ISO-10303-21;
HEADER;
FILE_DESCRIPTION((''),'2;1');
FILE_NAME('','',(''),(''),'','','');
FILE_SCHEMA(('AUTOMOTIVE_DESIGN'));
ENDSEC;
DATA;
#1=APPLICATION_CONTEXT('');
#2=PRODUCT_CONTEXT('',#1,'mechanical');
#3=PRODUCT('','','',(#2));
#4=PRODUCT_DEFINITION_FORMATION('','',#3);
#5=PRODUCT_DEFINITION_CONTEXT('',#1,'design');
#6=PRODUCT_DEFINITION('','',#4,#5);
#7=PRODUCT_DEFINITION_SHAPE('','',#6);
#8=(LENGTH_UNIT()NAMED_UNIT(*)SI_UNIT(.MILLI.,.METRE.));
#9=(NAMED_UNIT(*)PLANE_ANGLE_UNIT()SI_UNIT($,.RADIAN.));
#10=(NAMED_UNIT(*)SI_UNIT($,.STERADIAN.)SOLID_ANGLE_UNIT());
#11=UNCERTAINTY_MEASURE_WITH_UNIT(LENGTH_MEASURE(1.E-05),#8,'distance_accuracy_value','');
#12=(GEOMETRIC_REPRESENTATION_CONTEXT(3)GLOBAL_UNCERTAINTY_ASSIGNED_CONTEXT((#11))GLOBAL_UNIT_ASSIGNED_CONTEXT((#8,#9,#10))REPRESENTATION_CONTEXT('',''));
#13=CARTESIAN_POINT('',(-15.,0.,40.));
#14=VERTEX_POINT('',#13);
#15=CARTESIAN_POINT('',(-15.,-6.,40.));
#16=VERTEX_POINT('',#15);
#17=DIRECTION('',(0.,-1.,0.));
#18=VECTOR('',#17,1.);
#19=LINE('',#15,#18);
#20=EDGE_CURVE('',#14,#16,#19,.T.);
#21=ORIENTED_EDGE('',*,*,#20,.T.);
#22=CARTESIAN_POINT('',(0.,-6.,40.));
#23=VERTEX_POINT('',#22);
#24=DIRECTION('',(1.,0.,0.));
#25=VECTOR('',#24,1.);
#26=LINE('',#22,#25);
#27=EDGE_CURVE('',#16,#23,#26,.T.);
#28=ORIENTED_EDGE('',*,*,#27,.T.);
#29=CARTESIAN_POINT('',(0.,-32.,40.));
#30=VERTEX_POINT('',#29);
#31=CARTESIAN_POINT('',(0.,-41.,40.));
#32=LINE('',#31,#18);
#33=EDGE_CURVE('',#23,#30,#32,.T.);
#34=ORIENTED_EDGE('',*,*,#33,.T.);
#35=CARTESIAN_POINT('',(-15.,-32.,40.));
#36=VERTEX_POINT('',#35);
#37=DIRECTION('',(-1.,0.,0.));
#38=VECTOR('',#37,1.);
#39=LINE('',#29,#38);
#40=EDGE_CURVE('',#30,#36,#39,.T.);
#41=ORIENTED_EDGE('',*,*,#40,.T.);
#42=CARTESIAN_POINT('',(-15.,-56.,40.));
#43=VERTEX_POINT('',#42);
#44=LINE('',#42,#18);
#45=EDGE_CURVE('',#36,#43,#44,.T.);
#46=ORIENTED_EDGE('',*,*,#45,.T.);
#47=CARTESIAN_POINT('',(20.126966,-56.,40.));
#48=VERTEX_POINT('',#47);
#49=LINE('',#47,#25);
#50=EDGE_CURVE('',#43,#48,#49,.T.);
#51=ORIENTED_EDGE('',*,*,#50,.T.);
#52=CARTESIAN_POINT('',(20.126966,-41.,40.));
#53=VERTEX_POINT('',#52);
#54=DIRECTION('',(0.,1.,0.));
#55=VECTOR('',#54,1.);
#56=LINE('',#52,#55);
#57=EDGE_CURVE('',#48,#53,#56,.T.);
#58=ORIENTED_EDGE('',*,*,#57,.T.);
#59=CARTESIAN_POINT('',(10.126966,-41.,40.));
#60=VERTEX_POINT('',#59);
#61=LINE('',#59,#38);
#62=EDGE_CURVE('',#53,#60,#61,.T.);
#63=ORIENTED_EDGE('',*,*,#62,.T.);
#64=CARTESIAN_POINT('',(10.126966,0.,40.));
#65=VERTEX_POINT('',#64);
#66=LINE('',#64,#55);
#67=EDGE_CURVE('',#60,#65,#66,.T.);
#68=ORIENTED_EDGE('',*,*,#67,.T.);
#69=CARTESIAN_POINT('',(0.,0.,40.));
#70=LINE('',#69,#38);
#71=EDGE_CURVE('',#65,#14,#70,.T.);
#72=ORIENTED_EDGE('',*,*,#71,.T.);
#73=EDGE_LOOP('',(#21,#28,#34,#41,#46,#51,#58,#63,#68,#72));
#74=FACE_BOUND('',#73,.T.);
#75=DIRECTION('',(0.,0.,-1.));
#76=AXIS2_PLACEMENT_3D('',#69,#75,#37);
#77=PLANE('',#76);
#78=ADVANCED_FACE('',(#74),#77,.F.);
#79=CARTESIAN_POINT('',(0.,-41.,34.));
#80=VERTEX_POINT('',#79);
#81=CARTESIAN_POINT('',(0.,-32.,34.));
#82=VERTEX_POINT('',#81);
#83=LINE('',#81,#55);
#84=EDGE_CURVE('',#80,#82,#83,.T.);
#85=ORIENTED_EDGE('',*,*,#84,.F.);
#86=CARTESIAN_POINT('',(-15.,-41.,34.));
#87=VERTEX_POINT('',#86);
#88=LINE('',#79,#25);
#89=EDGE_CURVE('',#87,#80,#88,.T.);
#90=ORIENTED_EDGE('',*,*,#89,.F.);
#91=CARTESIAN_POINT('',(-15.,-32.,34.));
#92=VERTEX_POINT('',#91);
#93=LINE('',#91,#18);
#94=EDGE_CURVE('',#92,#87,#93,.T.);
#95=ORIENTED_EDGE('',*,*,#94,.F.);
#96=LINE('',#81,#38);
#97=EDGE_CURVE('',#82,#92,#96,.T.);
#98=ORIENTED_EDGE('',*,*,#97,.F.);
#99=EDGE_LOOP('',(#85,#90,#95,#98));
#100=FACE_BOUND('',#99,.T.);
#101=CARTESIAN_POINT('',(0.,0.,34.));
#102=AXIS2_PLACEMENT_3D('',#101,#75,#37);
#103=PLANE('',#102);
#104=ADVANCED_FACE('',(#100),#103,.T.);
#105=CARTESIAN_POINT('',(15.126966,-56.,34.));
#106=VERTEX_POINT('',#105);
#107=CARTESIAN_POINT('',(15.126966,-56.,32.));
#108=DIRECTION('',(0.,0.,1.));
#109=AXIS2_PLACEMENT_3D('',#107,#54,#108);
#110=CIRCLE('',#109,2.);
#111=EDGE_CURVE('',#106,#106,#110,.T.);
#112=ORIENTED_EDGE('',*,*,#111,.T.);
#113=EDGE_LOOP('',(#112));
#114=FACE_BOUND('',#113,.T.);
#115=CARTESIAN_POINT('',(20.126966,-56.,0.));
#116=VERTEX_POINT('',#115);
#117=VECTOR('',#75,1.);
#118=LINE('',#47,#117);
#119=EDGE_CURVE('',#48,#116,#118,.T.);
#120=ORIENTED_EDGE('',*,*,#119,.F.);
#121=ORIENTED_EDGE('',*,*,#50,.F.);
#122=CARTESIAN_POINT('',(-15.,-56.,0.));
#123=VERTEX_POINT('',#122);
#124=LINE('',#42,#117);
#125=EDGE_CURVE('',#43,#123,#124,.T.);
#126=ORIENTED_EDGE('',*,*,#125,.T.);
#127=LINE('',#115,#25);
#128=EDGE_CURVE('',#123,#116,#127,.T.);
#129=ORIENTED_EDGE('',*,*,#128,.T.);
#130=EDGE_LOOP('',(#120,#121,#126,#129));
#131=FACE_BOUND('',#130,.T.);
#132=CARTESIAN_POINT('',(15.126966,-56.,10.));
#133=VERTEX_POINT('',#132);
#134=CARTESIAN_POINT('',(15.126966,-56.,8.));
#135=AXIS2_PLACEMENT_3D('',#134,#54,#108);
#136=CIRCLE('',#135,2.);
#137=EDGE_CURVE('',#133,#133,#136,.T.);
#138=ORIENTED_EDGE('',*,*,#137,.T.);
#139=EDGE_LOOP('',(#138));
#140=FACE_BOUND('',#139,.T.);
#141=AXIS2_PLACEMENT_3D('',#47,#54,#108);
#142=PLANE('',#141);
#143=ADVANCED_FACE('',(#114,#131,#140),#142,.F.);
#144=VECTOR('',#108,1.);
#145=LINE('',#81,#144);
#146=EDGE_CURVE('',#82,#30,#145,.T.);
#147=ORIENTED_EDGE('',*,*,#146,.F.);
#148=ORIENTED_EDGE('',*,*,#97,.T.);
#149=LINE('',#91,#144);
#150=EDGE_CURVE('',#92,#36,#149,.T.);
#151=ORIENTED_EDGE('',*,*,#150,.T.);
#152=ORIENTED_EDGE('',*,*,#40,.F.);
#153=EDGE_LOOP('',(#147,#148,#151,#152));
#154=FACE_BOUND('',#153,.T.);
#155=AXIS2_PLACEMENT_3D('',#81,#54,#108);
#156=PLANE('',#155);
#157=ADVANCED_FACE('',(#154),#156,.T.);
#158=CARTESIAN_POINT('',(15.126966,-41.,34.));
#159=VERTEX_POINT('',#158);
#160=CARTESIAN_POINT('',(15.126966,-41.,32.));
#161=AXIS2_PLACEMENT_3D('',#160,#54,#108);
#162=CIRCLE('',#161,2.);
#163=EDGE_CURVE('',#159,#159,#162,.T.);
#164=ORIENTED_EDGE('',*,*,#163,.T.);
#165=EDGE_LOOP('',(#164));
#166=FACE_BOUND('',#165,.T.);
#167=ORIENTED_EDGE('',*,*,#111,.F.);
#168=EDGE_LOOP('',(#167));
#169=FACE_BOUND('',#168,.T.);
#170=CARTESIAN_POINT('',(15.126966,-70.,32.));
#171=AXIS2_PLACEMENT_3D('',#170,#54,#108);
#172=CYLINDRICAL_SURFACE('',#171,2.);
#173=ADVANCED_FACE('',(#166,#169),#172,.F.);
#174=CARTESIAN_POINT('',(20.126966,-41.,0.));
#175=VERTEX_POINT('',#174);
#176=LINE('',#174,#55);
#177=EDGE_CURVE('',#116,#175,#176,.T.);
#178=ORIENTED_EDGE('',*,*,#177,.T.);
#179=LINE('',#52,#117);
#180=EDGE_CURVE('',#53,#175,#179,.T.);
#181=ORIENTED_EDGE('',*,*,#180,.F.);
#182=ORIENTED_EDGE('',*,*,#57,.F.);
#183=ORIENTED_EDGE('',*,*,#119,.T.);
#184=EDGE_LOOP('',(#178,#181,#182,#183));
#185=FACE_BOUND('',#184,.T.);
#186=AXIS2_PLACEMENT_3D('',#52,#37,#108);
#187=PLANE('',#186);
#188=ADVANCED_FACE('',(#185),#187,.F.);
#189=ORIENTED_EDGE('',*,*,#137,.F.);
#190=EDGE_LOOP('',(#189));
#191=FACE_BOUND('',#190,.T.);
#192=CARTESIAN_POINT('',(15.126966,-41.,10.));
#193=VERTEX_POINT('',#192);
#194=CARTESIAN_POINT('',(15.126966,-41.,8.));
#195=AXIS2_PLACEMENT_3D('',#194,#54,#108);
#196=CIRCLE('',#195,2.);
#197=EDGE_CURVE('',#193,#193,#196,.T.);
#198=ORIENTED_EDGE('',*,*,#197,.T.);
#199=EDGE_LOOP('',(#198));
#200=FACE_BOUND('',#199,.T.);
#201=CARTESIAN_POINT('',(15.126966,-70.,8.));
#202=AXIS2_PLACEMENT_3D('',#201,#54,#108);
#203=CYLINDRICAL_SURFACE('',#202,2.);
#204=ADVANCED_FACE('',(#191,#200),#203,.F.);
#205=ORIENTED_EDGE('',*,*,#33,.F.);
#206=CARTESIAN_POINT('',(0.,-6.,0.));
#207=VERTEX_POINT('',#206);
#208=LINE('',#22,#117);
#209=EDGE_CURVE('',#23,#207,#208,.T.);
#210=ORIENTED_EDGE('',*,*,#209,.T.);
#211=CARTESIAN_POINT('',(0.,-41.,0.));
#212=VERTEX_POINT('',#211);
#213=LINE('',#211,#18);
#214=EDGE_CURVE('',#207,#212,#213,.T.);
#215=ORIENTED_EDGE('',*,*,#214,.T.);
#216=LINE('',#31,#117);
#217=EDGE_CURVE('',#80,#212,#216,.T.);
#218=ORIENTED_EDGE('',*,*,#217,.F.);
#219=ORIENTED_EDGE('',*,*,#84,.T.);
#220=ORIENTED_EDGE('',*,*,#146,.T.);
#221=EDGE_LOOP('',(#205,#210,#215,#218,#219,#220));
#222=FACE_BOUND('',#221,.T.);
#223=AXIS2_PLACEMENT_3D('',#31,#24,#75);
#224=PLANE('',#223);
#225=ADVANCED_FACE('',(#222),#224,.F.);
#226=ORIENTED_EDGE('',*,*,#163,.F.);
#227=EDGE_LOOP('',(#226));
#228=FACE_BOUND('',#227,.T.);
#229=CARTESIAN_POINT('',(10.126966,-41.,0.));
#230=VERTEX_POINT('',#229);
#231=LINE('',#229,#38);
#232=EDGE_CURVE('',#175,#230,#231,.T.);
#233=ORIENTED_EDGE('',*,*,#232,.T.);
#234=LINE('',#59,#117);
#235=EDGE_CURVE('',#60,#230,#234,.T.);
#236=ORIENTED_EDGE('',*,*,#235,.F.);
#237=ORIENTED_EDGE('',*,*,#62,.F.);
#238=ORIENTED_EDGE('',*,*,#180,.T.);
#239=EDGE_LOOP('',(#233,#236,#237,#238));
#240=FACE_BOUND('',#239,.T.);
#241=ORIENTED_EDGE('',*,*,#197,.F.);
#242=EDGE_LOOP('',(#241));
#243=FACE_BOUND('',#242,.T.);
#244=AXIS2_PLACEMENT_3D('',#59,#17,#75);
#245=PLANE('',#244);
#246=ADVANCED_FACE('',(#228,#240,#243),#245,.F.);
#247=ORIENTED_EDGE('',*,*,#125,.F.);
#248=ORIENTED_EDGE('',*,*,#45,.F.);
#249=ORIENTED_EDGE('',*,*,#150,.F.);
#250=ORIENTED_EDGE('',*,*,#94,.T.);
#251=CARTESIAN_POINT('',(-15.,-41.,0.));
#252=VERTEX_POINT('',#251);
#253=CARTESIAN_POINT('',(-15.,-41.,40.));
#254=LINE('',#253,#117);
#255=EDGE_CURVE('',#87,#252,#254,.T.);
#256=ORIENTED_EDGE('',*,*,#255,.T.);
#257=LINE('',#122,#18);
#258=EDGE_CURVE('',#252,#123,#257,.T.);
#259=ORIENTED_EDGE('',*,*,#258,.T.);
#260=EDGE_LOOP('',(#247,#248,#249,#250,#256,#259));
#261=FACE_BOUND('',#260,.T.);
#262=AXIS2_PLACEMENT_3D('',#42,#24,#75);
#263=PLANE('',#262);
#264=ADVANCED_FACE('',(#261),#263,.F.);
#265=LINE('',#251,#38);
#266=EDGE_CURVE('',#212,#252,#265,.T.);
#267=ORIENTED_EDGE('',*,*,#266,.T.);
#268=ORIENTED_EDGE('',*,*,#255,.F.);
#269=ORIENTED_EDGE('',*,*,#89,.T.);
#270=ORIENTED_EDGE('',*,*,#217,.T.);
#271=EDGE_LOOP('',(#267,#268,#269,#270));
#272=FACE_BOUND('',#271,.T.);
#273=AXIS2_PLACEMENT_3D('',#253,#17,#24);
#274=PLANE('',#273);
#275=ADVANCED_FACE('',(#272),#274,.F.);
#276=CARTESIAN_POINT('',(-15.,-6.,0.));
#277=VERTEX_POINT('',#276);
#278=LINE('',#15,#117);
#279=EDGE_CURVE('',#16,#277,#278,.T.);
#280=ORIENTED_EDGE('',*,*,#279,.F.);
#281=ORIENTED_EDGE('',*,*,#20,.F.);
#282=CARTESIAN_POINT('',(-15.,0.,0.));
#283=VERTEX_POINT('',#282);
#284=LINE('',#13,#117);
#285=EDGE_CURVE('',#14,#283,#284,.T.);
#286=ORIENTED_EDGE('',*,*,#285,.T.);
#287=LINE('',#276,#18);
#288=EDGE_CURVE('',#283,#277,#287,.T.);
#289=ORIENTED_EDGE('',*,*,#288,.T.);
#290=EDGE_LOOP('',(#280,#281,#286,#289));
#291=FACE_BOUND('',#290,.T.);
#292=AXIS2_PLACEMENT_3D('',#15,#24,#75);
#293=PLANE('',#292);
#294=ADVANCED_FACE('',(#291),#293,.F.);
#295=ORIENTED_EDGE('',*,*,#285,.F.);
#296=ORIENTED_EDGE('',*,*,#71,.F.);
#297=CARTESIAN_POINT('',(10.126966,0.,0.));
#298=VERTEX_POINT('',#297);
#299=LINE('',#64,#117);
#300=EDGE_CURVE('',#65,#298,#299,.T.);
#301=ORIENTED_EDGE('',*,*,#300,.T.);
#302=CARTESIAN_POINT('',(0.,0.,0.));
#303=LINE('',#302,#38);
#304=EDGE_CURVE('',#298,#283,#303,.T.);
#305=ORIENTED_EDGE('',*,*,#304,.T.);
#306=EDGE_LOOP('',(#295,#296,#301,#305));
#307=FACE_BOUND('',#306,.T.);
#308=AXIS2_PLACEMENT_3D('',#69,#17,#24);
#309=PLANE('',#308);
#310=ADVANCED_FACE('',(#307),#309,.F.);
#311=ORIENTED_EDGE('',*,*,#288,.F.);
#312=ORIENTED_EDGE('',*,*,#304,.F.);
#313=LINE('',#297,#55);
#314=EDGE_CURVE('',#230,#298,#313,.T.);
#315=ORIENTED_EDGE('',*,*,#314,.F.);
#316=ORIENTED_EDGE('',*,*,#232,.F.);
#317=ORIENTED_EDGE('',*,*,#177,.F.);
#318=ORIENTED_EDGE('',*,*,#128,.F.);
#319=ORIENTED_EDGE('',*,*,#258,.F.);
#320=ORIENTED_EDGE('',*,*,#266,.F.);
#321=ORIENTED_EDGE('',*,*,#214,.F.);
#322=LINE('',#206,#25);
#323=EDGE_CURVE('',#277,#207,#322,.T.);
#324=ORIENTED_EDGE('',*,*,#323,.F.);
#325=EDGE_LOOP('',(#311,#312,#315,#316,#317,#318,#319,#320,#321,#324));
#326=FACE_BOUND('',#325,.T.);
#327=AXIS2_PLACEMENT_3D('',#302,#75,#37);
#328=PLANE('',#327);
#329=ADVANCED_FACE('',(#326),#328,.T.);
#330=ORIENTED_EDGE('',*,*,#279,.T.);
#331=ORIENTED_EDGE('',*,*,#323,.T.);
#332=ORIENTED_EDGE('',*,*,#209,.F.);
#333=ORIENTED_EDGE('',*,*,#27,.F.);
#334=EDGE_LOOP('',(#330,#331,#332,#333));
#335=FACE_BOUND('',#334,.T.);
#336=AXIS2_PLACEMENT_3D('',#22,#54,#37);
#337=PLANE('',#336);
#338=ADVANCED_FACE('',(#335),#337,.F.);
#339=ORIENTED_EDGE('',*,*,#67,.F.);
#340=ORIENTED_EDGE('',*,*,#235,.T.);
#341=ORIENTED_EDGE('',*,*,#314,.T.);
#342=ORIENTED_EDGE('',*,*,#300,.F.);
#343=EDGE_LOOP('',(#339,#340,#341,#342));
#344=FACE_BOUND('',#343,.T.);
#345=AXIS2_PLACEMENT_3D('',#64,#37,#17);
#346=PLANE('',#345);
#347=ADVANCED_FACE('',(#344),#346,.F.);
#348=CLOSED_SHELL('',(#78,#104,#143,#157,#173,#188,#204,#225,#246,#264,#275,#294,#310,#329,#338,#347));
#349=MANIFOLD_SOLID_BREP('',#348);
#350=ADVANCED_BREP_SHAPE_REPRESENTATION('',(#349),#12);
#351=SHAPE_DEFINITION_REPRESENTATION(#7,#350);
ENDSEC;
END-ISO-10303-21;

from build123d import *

# Parameters (mm, degrees)
BOSS_EXTRU_1_DEPTH  = 40
SKETCH1_R           = 2
CUT_EXTRUDE1_DEPTH  = 29
SKETCH2_W           = 15
SKETCH2_H           = 9
BOSS_EXTRUDE1_DEPTH = 6


with BuildPart() as part:
    # Esquisse1 → Boss.-Extru.1 (new body)
    with BuildSketch(Plane.XY):
        Polygon((0, 0), (-15, 0), (-15, -6), (0, -6), (0, -41), (-15, -41), (-15, -56), (20.126965986, -56), (20.126965986, -41), (10.126965986, -41), (10.126965986, 0), align=None)
    extrude(amount=BOSS_EXTRU_1_DEPTH)

    # Sketch1 → Cut-Extrude1 (cut)
    with BuildSketch(Plane(origin=(0, -41, 0), x_dir=(1, 0, 0), z_dir=(0, 1, 0))):
        with Locations(Location((15.126965986, -8, 0), (0, 0, 270))):
            Circle(SKETCH1_R)
        with Locations(Location((15.126965986, -32, 0), (0, 0, 270))):
            Circle(SKETCH1_R)
    extrude(amount=-CUT_EXTRUDE1_DEPTH, mode=Mode.SUBTRACT)

    # Sketch2 → Boss-Extrude1 (add)
    with BuildSketch(Plane.XY.offset(40)):
        with Locations((-7.5, -36.5)):
            Rectangle(SKETCH2_W, SKETCH2_H)
    extrude(amount=-BOSS_EXTRUDE1_DEPTH)


solid = part.part
